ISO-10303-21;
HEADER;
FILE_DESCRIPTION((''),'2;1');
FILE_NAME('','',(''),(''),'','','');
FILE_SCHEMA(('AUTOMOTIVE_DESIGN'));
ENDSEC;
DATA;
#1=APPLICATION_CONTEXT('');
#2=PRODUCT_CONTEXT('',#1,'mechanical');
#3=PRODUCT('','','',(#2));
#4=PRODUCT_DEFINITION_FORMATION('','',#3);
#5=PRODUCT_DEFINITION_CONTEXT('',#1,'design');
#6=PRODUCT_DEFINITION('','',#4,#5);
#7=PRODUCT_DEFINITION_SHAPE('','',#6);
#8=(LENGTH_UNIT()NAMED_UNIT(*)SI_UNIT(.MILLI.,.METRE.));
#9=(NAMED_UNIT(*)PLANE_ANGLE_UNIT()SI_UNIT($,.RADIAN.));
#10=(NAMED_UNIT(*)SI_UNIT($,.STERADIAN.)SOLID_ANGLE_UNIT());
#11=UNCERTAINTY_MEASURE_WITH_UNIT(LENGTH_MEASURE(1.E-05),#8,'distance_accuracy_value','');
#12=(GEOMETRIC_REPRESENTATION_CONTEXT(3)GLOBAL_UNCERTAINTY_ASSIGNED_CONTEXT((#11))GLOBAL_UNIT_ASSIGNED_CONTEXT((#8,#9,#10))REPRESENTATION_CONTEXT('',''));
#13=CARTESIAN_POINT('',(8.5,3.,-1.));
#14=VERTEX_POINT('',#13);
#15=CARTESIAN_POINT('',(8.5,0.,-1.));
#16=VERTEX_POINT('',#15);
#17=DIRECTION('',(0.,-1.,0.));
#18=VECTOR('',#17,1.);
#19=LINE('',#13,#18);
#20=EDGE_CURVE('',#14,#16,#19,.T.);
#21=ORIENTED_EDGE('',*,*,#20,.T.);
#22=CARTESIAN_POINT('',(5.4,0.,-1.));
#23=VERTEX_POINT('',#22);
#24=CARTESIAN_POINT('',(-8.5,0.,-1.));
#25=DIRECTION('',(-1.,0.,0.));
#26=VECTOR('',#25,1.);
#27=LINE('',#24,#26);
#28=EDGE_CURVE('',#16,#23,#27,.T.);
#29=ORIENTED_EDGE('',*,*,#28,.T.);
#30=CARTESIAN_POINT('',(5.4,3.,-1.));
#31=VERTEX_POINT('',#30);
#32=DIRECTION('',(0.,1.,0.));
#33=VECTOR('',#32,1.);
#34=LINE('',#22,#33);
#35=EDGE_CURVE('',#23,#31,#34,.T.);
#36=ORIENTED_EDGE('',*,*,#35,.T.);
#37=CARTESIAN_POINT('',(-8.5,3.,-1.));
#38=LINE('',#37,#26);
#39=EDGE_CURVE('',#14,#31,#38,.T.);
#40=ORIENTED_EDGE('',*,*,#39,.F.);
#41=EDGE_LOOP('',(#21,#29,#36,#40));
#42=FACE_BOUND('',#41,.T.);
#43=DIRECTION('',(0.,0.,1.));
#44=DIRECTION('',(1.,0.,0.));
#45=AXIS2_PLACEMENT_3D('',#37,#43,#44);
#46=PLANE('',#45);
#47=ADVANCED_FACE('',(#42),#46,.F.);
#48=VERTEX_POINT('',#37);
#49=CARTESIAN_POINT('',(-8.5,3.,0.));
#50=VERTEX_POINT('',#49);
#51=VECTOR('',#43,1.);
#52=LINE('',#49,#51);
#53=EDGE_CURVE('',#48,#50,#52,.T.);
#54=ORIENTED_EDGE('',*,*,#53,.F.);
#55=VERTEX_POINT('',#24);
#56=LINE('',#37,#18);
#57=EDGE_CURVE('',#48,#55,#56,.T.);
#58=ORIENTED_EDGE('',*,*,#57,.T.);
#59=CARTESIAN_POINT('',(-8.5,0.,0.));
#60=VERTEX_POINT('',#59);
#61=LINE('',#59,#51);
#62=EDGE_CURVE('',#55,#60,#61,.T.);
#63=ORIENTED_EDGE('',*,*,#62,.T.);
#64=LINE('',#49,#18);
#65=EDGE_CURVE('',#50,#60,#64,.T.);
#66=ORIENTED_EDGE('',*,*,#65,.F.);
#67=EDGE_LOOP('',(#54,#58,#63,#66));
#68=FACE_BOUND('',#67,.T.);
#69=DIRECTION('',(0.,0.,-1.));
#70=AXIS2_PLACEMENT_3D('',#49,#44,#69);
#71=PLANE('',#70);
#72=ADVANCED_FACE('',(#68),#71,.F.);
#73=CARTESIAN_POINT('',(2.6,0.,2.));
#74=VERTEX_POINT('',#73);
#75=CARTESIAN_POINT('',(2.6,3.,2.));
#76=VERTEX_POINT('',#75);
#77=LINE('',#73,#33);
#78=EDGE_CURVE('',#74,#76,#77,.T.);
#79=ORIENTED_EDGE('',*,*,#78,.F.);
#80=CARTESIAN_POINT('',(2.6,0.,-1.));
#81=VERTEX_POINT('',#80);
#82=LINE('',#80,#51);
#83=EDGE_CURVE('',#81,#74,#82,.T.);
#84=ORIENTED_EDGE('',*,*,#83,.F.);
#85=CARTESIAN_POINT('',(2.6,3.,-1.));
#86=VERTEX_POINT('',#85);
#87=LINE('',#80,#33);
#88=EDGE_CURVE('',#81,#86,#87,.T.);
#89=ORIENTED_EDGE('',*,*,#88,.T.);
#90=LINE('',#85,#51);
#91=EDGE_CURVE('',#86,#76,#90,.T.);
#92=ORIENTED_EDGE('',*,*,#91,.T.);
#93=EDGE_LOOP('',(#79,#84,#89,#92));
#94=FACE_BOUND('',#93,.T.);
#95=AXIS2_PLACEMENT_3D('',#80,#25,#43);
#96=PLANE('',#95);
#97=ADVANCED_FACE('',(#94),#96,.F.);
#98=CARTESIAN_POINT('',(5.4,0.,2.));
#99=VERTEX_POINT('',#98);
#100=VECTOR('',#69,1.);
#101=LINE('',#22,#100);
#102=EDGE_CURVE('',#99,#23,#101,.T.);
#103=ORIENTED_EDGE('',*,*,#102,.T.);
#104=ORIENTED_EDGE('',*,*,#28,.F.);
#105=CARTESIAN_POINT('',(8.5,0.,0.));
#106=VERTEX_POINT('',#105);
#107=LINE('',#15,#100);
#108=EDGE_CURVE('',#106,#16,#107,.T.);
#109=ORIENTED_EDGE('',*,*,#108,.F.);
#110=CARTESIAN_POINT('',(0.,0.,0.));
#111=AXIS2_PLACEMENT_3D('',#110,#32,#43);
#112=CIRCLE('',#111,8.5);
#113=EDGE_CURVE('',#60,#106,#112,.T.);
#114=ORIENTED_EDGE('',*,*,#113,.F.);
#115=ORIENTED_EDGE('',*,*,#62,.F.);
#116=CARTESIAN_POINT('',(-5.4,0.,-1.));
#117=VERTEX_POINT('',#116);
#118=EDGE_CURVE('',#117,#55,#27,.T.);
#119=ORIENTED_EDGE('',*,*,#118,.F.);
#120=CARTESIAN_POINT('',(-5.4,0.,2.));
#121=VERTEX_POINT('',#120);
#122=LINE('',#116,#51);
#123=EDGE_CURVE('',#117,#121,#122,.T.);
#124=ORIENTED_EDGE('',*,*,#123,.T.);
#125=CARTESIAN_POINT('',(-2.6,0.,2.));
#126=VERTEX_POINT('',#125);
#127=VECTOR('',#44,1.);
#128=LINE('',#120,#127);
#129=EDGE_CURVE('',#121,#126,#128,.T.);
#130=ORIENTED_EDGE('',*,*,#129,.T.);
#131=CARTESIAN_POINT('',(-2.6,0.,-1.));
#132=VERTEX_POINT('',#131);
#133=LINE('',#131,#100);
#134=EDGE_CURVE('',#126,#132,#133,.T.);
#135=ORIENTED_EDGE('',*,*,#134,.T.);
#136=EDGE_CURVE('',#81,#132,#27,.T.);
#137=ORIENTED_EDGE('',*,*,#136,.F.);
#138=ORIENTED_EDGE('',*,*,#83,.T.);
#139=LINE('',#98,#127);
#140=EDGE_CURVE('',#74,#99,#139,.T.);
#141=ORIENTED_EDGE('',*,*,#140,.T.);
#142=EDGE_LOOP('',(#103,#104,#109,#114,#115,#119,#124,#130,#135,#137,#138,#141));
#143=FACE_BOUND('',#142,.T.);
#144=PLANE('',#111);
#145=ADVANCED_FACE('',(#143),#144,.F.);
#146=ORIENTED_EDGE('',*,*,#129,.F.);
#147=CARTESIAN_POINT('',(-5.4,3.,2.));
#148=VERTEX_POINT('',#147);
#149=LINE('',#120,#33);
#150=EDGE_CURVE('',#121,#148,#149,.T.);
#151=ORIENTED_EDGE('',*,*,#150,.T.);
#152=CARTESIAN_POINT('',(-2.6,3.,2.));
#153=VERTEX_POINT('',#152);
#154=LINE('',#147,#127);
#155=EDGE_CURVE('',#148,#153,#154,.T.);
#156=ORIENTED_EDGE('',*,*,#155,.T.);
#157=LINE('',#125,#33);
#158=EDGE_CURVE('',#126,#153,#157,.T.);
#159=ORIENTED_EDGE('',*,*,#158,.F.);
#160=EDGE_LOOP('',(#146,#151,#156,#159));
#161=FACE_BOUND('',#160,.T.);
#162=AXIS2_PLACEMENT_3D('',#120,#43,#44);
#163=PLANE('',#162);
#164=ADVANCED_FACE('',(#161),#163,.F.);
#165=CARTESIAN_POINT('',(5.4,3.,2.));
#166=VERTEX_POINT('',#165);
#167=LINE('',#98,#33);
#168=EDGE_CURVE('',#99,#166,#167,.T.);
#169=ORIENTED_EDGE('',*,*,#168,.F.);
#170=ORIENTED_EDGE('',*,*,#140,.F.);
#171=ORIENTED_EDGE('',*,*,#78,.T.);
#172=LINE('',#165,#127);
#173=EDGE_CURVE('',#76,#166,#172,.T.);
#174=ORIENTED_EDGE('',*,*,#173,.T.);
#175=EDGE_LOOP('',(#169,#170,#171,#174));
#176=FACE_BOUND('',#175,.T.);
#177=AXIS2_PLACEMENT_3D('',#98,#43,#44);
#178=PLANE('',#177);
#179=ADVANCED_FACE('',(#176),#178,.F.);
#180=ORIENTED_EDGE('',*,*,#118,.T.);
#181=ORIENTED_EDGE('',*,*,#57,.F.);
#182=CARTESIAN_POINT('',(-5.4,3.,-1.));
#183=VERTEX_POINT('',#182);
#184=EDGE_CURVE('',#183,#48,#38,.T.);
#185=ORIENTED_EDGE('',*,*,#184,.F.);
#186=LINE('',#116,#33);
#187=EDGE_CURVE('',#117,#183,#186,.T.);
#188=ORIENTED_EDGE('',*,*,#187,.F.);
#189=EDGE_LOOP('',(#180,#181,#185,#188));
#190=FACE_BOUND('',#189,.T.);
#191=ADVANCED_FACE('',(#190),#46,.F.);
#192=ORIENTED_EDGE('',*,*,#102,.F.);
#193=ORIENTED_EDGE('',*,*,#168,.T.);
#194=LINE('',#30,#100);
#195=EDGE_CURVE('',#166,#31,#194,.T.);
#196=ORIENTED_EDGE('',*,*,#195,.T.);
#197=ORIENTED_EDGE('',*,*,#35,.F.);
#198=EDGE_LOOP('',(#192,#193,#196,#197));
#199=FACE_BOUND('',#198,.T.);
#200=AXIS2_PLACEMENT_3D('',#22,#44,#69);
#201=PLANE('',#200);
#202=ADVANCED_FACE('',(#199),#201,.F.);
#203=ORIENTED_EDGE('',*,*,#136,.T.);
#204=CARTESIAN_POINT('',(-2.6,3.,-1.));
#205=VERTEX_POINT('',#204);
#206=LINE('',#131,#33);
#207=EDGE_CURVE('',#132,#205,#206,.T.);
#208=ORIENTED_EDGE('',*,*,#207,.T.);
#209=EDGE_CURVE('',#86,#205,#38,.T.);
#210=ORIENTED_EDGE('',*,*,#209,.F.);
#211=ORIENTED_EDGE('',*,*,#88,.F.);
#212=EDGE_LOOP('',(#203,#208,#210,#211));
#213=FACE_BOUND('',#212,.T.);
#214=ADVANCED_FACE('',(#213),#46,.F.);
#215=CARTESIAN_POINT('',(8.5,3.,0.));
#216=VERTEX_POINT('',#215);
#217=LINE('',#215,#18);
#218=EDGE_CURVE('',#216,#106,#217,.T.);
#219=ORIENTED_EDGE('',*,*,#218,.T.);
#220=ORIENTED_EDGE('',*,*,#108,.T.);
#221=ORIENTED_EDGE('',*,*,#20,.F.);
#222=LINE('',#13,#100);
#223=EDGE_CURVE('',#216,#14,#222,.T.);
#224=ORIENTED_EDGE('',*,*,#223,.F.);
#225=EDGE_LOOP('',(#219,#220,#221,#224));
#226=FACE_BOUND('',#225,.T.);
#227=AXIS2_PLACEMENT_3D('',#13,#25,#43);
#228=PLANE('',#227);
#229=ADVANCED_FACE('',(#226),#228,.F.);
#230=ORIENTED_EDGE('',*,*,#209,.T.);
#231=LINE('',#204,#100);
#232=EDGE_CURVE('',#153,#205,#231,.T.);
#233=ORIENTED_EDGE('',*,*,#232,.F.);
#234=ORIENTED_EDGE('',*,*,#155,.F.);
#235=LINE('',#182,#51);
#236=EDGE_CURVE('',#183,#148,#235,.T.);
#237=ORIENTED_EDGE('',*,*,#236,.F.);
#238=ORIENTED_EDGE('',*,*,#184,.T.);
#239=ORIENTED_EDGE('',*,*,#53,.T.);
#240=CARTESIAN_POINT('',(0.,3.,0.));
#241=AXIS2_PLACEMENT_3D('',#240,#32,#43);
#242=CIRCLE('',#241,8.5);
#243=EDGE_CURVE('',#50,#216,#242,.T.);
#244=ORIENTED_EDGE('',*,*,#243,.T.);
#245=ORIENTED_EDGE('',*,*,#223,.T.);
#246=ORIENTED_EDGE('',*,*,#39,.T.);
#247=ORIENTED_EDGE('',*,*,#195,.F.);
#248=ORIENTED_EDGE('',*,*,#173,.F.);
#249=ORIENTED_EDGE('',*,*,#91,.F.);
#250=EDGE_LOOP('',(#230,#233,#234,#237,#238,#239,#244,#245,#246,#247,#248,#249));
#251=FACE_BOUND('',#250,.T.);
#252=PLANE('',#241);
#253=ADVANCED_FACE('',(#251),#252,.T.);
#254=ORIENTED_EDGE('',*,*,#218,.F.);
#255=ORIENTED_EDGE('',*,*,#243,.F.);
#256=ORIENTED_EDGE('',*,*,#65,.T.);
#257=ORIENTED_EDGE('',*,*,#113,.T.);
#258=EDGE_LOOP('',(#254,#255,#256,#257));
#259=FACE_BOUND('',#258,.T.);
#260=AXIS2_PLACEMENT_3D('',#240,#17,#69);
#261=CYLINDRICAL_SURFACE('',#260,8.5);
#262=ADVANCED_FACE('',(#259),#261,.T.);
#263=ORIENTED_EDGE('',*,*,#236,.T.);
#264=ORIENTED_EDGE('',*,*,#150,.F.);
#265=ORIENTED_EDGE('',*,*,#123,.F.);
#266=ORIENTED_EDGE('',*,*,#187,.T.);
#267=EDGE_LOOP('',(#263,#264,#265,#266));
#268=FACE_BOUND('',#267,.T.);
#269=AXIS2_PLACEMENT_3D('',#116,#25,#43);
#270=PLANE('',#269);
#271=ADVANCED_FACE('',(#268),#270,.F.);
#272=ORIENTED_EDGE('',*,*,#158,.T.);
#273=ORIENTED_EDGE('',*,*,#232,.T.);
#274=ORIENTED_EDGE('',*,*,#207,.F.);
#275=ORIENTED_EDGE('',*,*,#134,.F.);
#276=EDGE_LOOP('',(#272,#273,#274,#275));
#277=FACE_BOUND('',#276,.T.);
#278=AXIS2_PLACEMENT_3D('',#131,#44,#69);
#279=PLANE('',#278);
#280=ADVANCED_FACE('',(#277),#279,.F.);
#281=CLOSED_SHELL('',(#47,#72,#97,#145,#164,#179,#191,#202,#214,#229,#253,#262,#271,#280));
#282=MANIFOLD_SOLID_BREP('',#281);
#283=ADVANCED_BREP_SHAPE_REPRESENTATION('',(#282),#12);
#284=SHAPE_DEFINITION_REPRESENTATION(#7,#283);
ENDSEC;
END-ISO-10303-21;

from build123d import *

# Parameters (mm, degrees)
BOSS_EXTRUDE1_DEPTH = 3
SKETCH2_W           = 2.8
SKETCH2_H           = 3
CUT_EXTRUDE1_DEPTH  = 13.389511693


with BuildPart() as part:
    # Sketch1 → Boss-Extrude1 (new body)
    with BuildSketch(Plane(origin=(0, 0, 0), x_dir=(1, 0, 0), z_dir=(0, 1, 0))):
        with BuildLine():
            Line((-8.5, 0), (-8.5, 1))
            Line((-8.5, 1), (8.5, 1))
            Line((8.5, 1), (8.5, 0))
            ThreePointArc((8.5, 0), (0, -8.5), (-8.5, 0))
        make_face()
    extrude(amount=BOSS_EXTRUDE1_DEPTH)

    # Sketch2 → Cut-Extrude1 (cut, through all)
    with BuildSketch(Plane(origin=(0, 3, 0), x_dir=(1, 0, 0), z_dir=(0, 1, 0))):
        with Locations((-4, -0.5)):
            Rectangle(SKETCH2_W, SKETCH2_H)
        with Locations((4, -0.5)):
            Rectangle(SKETCH2_W, SKETCH2_H)
    extrude(amount=-CUT_EXTRUDE1_DEPTH, mode=Mode.SUBTRACT)


solid = part.part
